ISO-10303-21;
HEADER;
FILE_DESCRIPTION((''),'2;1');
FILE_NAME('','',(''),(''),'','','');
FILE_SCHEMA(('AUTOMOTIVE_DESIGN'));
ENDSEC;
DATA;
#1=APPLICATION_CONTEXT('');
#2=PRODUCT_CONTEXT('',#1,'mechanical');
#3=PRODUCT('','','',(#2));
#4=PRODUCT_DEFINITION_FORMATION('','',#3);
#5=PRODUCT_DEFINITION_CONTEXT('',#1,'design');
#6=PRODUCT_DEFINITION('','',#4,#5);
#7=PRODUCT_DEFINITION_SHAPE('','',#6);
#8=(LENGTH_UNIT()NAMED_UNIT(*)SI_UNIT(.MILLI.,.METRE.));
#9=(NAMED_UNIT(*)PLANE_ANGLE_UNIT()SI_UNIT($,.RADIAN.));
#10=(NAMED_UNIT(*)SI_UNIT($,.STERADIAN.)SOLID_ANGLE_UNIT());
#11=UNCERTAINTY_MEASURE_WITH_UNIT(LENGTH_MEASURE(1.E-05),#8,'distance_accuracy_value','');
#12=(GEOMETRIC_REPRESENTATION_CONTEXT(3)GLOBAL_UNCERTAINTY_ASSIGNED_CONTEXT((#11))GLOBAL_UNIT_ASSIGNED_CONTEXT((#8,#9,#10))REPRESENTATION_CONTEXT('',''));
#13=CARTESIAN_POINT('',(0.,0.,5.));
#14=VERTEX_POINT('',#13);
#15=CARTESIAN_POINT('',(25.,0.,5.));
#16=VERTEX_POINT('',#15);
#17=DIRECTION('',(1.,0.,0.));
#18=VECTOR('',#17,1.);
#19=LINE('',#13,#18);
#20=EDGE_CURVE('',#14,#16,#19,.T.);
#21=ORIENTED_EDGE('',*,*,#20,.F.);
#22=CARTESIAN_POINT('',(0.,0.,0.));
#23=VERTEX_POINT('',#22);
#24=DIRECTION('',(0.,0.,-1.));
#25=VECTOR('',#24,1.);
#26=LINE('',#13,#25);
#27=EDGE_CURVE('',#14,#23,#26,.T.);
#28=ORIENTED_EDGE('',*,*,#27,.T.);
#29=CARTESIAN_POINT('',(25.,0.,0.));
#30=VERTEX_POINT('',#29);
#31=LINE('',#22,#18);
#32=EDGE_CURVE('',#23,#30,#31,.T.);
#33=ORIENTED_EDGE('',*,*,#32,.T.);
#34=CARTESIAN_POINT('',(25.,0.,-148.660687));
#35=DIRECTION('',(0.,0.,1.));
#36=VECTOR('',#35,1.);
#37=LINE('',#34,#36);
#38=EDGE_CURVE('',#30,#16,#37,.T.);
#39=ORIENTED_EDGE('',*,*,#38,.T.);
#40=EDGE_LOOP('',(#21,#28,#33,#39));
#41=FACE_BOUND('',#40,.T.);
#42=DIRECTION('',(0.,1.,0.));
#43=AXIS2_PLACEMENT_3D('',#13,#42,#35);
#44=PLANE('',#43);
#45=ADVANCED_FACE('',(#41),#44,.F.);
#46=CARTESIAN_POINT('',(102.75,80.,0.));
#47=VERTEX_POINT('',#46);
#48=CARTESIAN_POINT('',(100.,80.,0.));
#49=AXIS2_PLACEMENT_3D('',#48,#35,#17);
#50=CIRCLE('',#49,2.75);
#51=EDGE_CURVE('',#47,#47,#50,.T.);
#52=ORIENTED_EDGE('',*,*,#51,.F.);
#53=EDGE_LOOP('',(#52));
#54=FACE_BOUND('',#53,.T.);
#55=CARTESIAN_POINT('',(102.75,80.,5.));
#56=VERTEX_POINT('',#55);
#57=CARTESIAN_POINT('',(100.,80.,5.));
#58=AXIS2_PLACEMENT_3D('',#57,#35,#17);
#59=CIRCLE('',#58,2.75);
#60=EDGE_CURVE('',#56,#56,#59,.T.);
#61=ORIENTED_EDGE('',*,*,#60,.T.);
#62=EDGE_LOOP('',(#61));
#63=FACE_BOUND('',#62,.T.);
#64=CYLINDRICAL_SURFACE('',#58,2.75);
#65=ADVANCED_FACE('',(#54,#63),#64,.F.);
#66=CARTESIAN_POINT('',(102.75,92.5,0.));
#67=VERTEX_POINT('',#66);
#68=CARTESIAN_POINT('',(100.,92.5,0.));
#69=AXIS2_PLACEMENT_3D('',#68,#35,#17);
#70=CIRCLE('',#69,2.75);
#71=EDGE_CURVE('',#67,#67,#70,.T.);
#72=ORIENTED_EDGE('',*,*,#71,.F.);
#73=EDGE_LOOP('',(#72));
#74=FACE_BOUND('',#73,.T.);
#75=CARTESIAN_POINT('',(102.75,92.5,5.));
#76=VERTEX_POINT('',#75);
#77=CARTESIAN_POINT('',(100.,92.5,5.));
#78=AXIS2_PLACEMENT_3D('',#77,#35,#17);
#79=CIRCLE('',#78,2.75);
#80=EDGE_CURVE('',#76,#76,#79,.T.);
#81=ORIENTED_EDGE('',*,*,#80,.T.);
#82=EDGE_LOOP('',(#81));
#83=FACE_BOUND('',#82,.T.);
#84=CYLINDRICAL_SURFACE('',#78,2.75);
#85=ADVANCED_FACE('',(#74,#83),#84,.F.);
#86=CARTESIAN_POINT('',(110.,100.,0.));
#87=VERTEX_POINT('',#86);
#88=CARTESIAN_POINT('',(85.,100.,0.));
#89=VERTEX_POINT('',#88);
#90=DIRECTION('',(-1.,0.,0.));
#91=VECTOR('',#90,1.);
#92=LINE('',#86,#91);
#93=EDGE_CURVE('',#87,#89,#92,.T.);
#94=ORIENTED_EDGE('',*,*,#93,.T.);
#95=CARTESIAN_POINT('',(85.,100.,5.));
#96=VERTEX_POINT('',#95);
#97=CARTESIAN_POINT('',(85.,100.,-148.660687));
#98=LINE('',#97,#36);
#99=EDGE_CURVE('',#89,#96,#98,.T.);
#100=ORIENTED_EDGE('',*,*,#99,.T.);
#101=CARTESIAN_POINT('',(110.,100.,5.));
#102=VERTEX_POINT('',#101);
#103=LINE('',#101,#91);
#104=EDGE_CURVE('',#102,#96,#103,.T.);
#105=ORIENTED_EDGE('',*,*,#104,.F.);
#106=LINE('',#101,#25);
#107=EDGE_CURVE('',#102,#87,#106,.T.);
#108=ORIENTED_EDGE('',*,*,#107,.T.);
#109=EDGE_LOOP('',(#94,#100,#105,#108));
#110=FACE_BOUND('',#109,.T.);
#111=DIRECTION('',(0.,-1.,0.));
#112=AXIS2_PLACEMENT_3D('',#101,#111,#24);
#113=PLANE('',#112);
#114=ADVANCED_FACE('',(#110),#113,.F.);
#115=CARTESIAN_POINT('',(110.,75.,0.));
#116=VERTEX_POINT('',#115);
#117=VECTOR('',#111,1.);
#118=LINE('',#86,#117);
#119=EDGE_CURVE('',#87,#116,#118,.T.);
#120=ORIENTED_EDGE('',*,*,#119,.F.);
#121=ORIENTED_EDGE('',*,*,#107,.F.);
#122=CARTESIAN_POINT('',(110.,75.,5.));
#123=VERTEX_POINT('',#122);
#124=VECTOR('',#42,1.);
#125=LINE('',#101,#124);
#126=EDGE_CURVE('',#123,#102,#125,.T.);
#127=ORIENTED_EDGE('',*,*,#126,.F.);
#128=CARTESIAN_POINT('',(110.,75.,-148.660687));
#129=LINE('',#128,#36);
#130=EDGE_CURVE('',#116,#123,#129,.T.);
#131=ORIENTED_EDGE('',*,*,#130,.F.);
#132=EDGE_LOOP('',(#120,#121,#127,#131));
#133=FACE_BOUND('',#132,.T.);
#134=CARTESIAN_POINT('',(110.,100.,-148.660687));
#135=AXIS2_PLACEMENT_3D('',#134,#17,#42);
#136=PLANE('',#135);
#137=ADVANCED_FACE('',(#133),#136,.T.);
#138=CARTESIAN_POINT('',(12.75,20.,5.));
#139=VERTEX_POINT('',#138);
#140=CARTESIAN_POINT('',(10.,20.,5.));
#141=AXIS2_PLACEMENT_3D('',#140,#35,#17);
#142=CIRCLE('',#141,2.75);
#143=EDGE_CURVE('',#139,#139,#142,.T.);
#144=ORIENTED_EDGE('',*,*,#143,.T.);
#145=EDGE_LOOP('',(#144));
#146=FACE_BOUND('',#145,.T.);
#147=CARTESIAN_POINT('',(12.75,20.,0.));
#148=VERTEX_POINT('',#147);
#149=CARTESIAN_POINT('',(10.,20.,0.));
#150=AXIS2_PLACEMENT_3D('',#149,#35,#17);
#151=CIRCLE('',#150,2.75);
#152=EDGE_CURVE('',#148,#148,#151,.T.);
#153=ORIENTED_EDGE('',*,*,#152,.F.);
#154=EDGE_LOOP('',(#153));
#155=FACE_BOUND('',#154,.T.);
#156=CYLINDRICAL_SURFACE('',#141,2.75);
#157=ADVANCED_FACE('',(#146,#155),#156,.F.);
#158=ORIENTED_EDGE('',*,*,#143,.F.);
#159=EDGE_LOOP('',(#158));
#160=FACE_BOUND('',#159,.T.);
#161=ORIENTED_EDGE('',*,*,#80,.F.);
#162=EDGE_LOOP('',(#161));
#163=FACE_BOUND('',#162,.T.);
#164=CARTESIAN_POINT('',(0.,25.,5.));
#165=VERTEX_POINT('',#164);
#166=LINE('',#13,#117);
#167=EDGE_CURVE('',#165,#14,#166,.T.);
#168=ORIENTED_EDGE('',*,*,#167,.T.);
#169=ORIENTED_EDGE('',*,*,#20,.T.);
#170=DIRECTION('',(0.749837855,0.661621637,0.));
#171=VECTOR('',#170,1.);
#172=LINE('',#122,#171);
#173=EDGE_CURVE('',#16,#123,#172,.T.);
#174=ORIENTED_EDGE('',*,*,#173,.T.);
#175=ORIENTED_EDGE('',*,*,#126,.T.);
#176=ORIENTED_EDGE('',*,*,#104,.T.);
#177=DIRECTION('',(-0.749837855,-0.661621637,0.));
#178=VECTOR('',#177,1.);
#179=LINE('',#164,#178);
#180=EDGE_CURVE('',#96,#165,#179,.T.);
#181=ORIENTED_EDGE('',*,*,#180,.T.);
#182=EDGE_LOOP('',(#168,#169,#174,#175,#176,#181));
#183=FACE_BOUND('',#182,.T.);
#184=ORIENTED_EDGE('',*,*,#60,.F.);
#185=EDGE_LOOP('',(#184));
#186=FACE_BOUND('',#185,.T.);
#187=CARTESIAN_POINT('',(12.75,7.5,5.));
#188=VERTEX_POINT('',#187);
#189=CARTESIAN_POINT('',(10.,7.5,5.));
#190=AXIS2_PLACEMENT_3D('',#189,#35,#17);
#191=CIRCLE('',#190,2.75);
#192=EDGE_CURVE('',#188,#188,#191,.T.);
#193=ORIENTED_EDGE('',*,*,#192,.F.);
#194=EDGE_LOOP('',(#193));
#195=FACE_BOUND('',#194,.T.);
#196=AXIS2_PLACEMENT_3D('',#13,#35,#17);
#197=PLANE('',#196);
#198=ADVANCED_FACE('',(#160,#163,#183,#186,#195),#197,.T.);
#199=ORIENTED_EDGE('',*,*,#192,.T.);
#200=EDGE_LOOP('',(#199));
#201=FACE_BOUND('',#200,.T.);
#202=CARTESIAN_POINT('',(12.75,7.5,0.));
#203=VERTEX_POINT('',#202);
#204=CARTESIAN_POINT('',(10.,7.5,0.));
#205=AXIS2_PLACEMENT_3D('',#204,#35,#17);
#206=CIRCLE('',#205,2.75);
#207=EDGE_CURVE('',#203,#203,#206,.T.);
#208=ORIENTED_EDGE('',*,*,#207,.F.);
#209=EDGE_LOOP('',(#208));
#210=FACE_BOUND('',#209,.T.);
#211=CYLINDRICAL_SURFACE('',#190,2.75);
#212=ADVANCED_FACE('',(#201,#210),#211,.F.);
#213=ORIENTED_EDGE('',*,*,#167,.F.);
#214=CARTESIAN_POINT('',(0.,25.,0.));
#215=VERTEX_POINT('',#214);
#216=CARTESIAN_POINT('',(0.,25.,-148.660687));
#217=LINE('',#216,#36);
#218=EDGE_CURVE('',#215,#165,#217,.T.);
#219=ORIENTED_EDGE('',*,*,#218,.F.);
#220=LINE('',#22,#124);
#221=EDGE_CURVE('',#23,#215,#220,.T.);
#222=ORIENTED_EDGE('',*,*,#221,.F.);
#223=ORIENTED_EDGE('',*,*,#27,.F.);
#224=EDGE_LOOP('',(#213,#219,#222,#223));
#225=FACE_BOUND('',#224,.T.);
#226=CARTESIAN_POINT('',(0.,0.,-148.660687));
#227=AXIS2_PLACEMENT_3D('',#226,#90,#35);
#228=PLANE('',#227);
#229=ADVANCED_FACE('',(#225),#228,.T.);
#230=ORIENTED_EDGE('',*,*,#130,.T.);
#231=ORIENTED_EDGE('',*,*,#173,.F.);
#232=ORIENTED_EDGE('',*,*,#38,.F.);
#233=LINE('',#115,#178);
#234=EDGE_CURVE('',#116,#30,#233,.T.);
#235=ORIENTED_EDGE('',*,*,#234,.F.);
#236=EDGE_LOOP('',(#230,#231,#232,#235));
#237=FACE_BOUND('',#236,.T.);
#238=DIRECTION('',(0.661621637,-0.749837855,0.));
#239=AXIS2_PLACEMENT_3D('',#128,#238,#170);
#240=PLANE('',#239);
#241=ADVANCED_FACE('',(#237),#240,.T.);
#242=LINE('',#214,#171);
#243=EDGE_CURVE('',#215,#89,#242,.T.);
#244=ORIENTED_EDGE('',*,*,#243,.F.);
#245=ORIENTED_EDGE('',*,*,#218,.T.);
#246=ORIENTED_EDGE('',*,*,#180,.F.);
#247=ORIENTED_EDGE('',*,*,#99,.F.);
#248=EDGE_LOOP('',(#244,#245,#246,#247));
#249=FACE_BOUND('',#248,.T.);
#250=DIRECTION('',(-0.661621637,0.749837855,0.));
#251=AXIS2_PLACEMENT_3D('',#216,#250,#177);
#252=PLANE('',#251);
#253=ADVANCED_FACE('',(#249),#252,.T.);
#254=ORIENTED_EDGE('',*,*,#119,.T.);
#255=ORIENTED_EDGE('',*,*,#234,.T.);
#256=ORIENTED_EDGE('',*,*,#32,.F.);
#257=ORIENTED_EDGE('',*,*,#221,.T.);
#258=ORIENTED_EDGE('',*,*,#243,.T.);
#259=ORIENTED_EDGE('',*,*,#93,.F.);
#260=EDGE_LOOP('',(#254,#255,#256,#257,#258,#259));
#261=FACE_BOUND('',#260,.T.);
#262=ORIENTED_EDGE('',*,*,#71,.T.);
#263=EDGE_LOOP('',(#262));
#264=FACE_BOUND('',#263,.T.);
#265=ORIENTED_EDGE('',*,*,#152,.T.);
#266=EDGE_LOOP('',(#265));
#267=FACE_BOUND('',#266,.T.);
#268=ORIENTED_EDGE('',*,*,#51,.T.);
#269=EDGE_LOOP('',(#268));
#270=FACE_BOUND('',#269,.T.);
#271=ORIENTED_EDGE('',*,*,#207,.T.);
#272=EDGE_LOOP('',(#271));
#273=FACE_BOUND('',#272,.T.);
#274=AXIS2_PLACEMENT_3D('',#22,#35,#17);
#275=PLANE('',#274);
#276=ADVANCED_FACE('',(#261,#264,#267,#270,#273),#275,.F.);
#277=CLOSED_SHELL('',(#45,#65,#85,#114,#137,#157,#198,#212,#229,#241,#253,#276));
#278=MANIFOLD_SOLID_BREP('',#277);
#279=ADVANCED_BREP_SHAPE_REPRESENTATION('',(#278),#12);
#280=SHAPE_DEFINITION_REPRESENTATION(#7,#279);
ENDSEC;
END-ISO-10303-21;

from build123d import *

# Parameters (mm, degrees)
BOSS_EXTRUDE1_DEPTH  = 5
BOSS_EXTRUDE2_DEPTH  = 5
M5_CLEARANCE_HOLE1_D = 5.5


with BuildPart() as part:
    # Sketch1 → Boss-Extrude1 (new body)
    with BuildSketch(Plane.XY):
        Polygon((0, 0), (20, 0), (110, 100), (90, 100), align=None)
    extrude(amount=BOSS_EXTRUDE1_DEPTH)

    # Sketch2 → Boss-Extrude2 (add)
    with BuildSketch(Plane.XY.offset(5)):
        Polygon((0, 0), (0, 25), (85, 100), (90, 100), (110, 100), (110, 75), (25, 0), align=None)
    extrude(amount=-BOSS_EXTRUDE2_DEPTH)

    # M5 Clearance Hole1 (through all)
    with Locations(Plane.XY.offset(5)):
        with Locations((100, 80), (10, 20), (10, 7.5), (100, 92.5)):
            Hole(M5_CLEARANCE_HOLE1_D / 2)


solid = part.part
